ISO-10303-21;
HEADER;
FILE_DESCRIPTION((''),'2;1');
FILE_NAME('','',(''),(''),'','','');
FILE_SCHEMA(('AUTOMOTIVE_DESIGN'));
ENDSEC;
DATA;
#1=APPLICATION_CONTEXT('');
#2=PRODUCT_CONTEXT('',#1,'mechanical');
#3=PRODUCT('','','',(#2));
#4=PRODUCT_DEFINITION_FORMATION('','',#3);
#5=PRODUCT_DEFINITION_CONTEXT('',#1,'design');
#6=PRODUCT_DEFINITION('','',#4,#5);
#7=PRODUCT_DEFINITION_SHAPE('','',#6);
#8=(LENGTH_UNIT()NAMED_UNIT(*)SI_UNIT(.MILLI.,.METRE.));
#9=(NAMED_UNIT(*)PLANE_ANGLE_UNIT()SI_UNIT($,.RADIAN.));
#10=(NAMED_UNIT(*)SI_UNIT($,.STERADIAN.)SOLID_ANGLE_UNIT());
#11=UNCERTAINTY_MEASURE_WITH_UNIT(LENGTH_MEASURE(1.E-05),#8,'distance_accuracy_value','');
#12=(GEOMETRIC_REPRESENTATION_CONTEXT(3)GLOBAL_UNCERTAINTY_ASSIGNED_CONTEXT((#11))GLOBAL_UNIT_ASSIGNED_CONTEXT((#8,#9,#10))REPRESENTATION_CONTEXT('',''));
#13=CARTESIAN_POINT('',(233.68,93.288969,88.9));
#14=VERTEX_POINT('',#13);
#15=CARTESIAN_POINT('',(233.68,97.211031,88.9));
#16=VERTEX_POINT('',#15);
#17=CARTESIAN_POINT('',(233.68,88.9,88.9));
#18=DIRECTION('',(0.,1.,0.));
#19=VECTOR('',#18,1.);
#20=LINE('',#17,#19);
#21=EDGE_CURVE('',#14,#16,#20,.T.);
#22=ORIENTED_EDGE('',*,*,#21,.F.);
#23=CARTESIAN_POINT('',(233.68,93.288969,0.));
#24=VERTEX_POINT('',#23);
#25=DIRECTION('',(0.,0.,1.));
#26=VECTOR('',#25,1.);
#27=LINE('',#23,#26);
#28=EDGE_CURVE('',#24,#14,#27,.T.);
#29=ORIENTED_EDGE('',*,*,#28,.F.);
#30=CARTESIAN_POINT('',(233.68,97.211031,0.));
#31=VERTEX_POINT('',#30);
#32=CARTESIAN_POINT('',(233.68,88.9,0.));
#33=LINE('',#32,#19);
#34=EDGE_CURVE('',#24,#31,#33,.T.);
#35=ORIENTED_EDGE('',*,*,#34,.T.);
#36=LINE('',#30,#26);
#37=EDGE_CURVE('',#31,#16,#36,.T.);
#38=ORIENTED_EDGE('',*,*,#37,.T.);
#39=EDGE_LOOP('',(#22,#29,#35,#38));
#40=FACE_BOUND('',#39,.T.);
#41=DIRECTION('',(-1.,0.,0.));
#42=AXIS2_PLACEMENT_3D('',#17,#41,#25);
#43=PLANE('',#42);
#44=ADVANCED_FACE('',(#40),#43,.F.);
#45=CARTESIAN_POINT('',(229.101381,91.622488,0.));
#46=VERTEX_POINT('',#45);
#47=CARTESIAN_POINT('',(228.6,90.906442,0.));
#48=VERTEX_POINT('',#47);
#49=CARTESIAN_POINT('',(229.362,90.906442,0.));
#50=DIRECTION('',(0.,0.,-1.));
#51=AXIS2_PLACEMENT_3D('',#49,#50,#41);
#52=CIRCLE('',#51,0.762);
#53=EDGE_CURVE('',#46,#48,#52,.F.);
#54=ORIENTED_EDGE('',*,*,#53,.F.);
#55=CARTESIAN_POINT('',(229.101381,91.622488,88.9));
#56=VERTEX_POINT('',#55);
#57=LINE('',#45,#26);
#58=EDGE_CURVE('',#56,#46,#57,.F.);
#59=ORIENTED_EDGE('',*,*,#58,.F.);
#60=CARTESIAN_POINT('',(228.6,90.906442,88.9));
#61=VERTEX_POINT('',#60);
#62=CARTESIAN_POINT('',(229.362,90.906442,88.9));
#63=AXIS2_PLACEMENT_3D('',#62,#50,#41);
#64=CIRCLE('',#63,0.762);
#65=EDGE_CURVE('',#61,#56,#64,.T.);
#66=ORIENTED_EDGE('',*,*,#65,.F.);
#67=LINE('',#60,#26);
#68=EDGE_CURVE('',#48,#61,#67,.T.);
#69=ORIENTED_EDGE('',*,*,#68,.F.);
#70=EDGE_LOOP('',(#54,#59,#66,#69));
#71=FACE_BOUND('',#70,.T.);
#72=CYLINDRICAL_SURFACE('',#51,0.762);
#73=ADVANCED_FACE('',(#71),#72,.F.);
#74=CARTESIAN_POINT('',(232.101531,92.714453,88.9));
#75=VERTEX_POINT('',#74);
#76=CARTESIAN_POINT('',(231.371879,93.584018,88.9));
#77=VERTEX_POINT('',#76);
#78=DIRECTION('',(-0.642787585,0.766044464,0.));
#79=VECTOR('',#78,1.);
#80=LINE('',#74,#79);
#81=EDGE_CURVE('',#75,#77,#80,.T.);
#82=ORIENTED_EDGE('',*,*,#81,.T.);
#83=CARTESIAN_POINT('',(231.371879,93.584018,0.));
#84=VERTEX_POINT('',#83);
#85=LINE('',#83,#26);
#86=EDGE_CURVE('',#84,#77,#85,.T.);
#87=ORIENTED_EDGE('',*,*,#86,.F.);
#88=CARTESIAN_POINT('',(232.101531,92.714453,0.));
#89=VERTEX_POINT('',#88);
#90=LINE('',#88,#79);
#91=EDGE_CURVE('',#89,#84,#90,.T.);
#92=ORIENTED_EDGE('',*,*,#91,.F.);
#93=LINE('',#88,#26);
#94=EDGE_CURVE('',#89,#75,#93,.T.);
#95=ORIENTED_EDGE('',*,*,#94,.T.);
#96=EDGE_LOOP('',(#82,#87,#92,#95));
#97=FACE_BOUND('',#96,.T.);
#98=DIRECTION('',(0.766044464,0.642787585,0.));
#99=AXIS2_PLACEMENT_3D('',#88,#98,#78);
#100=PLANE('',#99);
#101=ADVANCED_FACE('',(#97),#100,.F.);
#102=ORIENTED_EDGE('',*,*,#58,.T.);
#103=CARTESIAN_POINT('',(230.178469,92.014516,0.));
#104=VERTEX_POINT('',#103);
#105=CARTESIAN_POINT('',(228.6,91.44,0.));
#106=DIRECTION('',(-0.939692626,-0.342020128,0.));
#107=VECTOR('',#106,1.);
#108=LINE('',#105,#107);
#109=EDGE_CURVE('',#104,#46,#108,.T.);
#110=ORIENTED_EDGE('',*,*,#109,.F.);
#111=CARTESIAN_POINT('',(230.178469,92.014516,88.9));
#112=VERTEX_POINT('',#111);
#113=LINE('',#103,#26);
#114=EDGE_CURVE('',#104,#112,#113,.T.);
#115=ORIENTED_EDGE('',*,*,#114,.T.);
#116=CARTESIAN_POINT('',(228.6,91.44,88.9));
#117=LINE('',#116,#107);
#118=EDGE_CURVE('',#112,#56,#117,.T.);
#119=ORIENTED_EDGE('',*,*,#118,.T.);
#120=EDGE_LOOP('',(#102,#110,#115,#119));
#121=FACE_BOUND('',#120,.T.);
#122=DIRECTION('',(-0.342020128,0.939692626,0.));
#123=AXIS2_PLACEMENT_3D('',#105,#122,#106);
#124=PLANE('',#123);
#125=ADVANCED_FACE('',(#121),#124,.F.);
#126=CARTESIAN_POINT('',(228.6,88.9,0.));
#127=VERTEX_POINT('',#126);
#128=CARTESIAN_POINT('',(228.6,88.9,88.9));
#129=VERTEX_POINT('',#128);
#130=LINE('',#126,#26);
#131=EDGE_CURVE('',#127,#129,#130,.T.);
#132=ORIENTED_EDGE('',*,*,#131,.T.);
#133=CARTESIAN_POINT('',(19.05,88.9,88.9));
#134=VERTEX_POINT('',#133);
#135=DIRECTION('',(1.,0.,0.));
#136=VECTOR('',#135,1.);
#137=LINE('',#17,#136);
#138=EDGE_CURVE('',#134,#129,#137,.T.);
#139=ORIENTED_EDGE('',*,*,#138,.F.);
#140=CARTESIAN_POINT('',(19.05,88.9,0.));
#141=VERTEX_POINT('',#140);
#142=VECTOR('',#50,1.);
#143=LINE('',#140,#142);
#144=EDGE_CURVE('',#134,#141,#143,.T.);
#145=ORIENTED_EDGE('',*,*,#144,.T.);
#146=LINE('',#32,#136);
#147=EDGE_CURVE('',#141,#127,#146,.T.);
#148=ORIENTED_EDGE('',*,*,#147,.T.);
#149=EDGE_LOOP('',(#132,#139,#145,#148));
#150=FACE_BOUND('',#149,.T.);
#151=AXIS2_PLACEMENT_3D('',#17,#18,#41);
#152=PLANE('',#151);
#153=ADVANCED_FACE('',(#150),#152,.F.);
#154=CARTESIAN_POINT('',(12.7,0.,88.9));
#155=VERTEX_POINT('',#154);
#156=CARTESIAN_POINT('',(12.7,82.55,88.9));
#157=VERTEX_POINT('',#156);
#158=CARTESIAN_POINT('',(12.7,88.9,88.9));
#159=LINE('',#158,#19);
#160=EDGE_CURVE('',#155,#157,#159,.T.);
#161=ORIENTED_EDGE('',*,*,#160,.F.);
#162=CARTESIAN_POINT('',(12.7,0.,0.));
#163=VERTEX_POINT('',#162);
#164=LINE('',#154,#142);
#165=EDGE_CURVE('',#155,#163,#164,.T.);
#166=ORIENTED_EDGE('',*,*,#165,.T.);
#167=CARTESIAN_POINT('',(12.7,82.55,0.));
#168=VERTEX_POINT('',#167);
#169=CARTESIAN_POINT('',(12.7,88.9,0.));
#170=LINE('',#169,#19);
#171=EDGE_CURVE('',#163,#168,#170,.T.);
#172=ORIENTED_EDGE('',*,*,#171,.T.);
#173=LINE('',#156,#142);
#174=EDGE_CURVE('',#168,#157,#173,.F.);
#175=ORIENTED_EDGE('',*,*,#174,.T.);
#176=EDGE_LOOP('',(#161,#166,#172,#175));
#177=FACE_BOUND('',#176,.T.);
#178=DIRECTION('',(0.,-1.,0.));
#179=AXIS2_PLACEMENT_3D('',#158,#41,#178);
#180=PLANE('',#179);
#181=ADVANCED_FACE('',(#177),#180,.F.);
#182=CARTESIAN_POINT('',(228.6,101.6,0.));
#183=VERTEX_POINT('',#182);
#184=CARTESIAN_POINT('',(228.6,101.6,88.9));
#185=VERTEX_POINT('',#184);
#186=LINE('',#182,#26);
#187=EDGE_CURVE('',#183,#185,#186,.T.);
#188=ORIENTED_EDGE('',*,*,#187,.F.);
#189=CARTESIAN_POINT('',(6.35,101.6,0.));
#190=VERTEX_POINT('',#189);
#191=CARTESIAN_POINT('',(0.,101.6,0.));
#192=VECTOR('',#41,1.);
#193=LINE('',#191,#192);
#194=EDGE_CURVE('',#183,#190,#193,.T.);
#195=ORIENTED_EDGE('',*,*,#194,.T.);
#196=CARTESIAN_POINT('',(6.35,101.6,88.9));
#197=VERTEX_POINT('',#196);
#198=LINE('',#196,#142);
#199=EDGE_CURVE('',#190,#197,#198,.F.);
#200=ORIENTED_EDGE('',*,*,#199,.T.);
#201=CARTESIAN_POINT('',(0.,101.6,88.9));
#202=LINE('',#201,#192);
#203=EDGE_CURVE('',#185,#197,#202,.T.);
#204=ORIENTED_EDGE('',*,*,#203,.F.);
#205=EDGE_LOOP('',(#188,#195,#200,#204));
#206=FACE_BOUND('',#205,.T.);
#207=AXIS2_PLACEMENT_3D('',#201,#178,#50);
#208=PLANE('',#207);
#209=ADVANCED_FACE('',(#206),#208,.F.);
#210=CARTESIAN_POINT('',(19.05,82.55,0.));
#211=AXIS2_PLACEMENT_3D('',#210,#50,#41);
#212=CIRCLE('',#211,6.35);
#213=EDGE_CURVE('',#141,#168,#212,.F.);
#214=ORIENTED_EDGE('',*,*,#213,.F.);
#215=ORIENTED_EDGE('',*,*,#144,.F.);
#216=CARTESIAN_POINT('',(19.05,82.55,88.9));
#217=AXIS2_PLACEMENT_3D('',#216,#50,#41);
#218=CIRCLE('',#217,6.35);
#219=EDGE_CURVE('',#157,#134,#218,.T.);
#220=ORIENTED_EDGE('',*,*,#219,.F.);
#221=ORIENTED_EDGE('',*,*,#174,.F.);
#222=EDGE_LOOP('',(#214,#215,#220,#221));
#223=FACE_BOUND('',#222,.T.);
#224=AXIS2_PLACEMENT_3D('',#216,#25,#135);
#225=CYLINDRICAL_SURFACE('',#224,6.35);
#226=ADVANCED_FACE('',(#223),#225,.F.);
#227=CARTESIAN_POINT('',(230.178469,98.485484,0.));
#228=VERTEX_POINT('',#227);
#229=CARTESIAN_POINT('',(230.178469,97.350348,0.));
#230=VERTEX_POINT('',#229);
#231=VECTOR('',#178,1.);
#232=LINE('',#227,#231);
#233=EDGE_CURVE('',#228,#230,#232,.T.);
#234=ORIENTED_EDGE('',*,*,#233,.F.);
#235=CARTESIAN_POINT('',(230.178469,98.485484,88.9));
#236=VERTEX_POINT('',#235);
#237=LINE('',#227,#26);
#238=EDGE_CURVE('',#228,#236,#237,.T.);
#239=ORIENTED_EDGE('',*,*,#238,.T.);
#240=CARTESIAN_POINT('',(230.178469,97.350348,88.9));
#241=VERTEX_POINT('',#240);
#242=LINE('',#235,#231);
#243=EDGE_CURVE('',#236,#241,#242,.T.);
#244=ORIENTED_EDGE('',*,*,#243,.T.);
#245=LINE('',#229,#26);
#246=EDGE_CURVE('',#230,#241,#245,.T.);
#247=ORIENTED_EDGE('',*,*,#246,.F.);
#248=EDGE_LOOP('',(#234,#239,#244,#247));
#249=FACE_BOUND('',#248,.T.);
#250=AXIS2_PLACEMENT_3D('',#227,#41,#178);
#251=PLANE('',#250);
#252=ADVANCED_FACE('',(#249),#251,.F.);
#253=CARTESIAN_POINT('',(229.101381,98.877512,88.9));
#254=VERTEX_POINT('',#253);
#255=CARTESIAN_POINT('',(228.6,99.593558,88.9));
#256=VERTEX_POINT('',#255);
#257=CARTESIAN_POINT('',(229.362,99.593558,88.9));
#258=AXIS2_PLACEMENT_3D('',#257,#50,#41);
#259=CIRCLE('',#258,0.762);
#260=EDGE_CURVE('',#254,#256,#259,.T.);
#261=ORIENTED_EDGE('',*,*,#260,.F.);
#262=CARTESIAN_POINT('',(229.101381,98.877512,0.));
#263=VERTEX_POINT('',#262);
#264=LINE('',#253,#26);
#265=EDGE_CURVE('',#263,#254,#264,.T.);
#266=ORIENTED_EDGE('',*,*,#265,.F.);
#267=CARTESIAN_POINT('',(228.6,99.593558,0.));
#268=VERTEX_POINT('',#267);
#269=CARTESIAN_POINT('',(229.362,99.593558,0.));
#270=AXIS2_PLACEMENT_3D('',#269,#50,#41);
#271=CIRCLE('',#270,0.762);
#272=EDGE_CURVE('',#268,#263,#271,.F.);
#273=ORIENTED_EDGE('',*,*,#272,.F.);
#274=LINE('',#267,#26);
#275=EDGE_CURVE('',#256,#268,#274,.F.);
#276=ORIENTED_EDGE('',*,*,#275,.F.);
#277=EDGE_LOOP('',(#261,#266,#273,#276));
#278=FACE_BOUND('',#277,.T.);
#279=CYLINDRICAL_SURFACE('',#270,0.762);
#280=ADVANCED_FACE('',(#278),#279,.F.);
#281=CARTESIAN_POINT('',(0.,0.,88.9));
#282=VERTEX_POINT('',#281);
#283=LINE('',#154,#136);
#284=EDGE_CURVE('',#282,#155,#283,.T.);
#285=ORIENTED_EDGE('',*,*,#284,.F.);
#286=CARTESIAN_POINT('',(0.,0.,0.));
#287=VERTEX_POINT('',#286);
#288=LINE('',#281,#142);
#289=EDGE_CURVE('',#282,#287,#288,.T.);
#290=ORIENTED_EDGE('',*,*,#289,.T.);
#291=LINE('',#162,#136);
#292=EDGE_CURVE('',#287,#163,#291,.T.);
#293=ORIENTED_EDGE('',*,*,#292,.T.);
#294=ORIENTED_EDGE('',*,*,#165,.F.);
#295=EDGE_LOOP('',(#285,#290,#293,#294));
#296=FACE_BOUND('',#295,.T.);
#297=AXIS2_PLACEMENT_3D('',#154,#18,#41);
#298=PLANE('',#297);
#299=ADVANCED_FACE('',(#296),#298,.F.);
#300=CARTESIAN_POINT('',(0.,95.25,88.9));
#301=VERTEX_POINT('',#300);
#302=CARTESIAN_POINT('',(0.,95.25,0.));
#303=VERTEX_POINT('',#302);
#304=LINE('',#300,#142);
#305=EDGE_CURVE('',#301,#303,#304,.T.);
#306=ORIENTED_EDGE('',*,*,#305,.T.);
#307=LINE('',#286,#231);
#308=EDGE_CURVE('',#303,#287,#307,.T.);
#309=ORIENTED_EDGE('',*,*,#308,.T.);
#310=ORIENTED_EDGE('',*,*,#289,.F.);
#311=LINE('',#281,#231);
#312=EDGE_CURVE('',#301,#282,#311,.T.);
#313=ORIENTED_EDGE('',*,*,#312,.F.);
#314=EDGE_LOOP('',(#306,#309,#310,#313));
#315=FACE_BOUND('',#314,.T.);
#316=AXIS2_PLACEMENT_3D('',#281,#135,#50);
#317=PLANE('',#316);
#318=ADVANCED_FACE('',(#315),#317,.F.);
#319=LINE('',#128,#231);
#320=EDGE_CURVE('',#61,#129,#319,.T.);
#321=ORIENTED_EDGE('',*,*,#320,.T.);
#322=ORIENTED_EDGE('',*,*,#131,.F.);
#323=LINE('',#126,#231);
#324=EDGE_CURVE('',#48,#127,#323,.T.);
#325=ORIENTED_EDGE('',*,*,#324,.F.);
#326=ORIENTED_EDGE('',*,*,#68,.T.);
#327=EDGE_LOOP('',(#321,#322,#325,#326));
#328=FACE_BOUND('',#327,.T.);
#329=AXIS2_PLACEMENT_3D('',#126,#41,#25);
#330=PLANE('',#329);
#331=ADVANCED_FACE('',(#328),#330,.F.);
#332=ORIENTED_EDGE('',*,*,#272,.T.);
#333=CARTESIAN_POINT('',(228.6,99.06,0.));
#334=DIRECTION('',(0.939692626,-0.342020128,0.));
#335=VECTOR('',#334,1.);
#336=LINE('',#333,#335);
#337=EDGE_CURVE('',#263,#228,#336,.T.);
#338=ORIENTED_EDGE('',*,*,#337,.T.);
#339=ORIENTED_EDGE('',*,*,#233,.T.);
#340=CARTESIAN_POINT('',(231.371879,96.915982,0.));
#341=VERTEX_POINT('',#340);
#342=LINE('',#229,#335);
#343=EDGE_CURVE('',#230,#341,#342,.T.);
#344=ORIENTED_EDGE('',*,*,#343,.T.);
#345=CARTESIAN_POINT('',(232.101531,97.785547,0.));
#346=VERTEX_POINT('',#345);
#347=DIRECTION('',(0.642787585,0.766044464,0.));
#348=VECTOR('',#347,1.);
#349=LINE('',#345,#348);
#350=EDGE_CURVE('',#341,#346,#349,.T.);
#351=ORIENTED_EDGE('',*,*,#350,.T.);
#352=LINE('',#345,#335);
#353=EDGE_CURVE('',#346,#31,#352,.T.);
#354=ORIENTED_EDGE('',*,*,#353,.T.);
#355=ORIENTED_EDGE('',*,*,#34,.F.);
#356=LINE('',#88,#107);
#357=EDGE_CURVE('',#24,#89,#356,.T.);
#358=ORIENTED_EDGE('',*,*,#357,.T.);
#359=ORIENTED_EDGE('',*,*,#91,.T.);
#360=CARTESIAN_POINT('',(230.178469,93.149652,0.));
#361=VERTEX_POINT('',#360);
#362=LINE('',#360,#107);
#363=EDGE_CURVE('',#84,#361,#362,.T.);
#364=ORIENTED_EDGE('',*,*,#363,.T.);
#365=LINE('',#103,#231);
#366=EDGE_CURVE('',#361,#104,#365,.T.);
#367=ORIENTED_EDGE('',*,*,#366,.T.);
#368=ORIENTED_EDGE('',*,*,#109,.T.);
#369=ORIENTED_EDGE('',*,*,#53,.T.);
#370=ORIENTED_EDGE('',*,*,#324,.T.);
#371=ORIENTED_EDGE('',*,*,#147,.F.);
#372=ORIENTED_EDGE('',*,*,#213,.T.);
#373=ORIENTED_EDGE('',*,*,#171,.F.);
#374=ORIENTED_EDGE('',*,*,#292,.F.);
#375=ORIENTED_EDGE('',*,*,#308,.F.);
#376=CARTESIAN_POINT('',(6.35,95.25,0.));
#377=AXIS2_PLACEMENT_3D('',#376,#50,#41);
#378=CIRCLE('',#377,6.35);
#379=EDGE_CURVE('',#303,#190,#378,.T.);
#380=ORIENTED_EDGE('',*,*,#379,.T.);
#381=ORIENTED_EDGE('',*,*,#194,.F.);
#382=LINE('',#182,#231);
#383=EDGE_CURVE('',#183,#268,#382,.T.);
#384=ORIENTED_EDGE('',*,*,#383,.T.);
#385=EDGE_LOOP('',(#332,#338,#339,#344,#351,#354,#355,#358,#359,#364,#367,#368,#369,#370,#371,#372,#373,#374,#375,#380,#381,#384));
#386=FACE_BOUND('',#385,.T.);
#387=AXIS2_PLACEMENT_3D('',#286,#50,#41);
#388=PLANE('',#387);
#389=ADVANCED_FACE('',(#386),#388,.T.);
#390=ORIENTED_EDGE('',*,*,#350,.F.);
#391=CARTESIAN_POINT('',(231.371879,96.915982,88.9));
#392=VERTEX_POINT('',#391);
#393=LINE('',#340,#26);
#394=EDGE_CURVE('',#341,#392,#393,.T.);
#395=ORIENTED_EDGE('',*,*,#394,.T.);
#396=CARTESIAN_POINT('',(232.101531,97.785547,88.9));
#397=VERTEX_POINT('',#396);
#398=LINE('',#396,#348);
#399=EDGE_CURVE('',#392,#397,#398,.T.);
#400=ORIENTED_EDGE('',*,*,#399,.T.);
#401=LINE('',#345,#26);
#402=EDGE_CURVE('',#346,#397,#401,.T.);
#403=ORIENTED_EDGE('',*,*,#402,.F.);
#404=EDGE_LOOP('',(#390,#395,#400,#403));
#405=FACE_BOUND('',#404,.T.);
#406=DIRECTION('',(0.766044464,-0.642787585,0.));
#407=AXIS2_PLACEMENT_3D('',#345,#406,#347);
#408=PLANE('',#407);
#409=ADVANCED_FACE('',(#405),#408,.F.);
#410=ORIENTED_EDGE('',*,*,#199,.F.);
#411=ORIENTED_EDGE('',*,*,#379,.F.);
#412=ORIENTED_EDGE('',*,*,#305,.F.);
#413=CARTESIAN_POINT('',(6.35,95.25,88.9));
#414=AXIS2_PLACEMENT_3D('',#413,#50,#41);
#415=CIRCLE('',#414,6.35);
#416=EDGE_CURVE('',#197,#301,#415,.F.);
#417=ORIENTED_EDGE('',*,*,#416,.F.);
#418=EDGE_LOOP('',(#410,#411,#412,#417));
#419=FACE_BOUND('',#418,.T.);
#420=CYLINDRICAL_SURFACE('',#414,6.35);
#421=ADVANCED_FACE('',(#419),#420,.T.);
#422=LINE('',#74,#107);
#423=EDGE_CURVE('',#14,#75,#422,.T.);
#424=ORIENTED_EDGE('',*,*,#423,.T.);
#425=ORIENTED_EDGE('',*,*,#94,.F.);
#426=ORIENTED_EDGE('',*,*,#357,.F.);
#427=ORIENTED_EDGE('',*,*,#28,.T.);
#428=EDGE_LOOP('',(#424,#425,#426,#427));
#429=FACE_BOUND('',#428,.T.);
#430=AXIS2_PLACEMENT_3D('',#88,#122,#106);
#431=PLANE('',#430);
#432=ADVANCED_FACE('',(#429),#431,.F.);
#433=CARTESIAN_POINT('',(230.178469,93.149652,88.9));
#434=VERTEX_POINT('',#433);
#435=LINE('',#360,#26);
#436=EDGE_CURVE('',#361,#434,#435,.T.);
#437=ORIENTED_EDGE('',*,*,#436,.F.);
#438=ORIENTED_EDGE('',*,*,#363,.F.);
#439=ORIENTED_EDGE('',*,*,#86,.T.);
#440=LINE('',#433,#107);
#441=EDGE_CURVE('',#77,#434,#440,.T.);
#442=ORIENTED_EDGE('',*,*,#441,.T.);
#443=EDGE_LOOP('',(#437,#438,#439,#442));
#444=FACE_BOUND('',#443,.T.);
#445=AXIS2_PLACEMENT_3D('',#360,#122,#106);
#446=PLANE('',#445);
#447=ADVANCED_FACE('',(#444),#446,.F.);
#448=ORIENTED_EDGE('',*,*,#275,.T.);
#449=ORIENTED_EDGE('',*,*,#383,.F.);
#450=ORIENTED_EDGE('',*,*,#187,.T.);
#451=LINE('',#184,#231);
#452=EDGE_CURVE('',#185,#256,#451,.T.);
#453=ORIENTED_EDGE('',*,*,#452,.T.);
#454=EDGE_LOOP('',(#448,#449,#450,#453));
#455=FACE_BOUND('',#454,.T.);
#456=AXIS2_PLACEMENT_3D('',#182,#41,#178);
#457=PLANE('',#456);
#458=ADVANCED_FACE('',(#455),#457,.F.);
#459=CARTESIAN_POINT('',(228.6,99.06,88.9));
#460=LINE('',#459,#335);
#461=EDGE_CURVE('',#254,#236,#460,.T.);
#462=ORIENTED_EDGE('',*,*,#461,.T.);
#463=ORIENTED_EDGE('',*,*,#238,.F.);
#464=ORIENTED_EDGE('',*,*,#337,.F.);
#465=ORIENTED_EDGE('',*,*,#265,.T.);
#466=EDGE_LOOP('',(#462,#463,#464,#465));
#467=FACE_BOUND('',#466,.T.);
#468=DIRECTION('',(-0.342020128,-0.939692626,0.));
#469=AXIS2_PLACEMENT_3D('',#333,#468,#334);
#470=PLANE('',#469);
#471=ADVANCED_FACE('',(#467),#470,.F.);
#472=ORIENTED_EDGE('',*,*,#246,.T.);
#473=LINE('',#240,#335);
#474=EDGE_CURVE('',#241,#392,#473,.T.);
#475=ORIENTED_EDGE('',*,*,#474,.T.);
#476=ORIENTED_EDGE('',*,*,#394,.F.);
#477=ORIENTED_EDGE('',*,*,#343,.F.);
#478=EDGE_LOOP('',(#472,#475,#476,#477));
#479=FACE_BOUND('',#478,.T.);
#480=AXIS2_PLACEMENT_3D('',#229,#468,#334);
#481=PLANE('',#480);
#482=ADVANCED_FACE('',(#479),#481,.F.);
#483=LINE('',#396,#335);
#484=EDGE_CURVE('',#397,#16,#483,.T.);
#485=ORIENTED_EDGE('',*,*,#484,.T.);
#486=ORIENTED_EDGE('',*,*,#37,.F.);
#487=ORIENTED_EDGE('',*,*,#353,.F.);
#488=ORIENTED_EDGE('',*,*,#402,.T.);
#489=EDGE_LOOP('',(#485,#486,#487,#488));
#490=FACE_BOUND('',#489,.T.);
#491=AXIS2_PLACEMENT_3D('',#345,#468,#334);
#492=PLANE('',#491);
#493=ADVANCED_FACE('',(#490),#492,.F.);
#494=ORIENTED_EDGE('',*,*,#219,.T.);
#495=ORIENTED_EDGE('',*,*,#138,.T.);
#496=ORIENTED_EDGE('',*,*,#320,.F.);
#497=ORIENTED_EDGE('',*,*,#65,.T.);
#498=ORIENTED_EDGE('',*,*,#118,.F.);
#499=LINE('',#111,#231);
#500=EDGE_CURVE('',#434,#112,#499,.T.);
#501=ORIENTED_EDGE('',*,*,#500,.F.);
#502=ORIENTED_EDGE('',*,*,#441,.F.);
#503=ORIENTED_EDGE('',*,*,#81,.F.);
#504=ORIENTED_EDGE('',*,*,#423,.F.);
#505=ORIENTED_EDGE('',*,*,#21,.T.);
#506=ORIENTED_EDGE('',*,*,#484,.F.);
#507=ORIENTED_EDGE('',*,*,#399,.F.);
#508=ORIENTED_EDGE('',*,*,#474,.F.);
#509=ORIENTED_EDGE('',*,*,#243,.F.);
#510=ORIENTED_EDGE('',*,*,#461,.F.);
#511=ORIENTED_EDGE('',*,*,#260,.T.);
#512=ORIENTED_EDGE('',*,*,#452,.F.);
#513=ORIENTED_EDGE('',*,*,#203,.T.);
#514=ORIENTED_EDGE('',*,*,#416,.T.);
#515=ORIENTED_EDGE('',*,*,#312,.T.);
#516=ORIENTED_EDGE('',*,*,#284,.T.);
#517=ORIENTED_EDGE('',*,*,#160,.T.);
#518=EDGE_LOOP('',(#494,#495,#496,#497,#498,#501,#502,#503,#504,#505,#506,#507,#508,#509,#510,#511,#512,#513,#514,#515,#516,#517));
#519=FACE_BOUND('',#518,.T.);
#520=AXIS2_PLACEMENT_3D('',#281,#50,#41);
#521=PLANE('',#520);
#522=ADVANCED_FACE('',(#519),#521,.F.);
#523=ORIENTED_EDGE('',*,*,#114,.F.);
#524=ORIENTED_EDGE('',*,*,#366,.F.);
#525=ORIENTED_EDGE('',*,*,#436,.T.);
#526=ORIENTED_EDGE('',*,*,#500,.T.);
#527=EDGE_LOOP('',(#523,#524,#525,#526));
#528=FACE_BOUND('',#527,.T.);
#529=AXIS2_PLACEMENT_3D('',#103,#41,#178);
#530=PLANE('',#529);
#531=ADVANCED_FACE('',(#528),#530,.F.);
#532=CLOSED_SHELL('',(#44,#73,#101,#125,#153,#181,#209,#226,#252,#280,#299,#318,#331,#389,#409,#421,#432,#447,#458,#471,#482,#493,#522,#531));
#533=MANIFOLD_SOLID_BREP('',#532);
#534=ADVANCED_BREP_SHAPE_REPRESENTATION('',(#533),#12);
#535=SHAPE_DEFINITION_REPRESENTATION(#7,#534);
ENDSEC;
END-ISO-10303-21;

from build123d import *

# Parameters (mm, degrees)
BOSS_EXTRUDE2_DEPTH = 88.9
CUT_EXTRUDE3_DEPTH  = 89.9
FILLET2_R           = 6.35
FILLET4_R           = 0.762


with BuildPart() as part:
    # Sketch1 → Boss-Extrude2 (new body)
    with BuildSketch(Plane.XY):
        Polygon((0, 0), (0, 101.6), (233.68, 101.6), (233.68, 88.9), (12.7, 88.9), (12.7, 0), align=None)
    extrude(amount=BOSS_EXTRUDE2_DEPTH)

    # Sketch8 → Cut-Extrude3 (cut, through all)
    with BuildSketch(Plane.XY.offset(88.9)):
        Polygon((228.6, 101.6), (233.68, 101.6), (233.68, 97.21103121), (232.101530561, 97.785547072), (231.371879071, 96.91598223), (230.178469436, 97.350347792), (230.178469436, 98.485484045), (228.6, 99.059999906), align=None)
        Polygon((228.6, 88.9), (233.68, 88.9), (233.68, 93.28896879), (232.101530561, 92.714452928), (231.371879071, 93.58401777), (230.178469436, 93.149652208), (230.178469436, 92.014515955), (228.6, 91.440000094), align=None)
    extrude(amount=-CUT_EXTRUDE3_DEPTH, mode=Mode.SUBTRACT)

    # Fillet2
    fillet2_edges = [part.edges().sort_by_distance(p)[0] for p in [
        (0, 101.6, 44.45),
        (12.7, 88.9, 44.45),
    ]]
    fillet(fillet2_edges, radius=FILLET2_R)

    # Fillet4
    fillet4_edges = [part.edges().sort_by_distance(p)[0] for p in [
        (228.6, 91.440000094, 44.45),
        (228.6, 99.059999906, 44.45),
    ]]
    fillet(fillet4_edges, radius=FILLET4_R)


solid = part.part
